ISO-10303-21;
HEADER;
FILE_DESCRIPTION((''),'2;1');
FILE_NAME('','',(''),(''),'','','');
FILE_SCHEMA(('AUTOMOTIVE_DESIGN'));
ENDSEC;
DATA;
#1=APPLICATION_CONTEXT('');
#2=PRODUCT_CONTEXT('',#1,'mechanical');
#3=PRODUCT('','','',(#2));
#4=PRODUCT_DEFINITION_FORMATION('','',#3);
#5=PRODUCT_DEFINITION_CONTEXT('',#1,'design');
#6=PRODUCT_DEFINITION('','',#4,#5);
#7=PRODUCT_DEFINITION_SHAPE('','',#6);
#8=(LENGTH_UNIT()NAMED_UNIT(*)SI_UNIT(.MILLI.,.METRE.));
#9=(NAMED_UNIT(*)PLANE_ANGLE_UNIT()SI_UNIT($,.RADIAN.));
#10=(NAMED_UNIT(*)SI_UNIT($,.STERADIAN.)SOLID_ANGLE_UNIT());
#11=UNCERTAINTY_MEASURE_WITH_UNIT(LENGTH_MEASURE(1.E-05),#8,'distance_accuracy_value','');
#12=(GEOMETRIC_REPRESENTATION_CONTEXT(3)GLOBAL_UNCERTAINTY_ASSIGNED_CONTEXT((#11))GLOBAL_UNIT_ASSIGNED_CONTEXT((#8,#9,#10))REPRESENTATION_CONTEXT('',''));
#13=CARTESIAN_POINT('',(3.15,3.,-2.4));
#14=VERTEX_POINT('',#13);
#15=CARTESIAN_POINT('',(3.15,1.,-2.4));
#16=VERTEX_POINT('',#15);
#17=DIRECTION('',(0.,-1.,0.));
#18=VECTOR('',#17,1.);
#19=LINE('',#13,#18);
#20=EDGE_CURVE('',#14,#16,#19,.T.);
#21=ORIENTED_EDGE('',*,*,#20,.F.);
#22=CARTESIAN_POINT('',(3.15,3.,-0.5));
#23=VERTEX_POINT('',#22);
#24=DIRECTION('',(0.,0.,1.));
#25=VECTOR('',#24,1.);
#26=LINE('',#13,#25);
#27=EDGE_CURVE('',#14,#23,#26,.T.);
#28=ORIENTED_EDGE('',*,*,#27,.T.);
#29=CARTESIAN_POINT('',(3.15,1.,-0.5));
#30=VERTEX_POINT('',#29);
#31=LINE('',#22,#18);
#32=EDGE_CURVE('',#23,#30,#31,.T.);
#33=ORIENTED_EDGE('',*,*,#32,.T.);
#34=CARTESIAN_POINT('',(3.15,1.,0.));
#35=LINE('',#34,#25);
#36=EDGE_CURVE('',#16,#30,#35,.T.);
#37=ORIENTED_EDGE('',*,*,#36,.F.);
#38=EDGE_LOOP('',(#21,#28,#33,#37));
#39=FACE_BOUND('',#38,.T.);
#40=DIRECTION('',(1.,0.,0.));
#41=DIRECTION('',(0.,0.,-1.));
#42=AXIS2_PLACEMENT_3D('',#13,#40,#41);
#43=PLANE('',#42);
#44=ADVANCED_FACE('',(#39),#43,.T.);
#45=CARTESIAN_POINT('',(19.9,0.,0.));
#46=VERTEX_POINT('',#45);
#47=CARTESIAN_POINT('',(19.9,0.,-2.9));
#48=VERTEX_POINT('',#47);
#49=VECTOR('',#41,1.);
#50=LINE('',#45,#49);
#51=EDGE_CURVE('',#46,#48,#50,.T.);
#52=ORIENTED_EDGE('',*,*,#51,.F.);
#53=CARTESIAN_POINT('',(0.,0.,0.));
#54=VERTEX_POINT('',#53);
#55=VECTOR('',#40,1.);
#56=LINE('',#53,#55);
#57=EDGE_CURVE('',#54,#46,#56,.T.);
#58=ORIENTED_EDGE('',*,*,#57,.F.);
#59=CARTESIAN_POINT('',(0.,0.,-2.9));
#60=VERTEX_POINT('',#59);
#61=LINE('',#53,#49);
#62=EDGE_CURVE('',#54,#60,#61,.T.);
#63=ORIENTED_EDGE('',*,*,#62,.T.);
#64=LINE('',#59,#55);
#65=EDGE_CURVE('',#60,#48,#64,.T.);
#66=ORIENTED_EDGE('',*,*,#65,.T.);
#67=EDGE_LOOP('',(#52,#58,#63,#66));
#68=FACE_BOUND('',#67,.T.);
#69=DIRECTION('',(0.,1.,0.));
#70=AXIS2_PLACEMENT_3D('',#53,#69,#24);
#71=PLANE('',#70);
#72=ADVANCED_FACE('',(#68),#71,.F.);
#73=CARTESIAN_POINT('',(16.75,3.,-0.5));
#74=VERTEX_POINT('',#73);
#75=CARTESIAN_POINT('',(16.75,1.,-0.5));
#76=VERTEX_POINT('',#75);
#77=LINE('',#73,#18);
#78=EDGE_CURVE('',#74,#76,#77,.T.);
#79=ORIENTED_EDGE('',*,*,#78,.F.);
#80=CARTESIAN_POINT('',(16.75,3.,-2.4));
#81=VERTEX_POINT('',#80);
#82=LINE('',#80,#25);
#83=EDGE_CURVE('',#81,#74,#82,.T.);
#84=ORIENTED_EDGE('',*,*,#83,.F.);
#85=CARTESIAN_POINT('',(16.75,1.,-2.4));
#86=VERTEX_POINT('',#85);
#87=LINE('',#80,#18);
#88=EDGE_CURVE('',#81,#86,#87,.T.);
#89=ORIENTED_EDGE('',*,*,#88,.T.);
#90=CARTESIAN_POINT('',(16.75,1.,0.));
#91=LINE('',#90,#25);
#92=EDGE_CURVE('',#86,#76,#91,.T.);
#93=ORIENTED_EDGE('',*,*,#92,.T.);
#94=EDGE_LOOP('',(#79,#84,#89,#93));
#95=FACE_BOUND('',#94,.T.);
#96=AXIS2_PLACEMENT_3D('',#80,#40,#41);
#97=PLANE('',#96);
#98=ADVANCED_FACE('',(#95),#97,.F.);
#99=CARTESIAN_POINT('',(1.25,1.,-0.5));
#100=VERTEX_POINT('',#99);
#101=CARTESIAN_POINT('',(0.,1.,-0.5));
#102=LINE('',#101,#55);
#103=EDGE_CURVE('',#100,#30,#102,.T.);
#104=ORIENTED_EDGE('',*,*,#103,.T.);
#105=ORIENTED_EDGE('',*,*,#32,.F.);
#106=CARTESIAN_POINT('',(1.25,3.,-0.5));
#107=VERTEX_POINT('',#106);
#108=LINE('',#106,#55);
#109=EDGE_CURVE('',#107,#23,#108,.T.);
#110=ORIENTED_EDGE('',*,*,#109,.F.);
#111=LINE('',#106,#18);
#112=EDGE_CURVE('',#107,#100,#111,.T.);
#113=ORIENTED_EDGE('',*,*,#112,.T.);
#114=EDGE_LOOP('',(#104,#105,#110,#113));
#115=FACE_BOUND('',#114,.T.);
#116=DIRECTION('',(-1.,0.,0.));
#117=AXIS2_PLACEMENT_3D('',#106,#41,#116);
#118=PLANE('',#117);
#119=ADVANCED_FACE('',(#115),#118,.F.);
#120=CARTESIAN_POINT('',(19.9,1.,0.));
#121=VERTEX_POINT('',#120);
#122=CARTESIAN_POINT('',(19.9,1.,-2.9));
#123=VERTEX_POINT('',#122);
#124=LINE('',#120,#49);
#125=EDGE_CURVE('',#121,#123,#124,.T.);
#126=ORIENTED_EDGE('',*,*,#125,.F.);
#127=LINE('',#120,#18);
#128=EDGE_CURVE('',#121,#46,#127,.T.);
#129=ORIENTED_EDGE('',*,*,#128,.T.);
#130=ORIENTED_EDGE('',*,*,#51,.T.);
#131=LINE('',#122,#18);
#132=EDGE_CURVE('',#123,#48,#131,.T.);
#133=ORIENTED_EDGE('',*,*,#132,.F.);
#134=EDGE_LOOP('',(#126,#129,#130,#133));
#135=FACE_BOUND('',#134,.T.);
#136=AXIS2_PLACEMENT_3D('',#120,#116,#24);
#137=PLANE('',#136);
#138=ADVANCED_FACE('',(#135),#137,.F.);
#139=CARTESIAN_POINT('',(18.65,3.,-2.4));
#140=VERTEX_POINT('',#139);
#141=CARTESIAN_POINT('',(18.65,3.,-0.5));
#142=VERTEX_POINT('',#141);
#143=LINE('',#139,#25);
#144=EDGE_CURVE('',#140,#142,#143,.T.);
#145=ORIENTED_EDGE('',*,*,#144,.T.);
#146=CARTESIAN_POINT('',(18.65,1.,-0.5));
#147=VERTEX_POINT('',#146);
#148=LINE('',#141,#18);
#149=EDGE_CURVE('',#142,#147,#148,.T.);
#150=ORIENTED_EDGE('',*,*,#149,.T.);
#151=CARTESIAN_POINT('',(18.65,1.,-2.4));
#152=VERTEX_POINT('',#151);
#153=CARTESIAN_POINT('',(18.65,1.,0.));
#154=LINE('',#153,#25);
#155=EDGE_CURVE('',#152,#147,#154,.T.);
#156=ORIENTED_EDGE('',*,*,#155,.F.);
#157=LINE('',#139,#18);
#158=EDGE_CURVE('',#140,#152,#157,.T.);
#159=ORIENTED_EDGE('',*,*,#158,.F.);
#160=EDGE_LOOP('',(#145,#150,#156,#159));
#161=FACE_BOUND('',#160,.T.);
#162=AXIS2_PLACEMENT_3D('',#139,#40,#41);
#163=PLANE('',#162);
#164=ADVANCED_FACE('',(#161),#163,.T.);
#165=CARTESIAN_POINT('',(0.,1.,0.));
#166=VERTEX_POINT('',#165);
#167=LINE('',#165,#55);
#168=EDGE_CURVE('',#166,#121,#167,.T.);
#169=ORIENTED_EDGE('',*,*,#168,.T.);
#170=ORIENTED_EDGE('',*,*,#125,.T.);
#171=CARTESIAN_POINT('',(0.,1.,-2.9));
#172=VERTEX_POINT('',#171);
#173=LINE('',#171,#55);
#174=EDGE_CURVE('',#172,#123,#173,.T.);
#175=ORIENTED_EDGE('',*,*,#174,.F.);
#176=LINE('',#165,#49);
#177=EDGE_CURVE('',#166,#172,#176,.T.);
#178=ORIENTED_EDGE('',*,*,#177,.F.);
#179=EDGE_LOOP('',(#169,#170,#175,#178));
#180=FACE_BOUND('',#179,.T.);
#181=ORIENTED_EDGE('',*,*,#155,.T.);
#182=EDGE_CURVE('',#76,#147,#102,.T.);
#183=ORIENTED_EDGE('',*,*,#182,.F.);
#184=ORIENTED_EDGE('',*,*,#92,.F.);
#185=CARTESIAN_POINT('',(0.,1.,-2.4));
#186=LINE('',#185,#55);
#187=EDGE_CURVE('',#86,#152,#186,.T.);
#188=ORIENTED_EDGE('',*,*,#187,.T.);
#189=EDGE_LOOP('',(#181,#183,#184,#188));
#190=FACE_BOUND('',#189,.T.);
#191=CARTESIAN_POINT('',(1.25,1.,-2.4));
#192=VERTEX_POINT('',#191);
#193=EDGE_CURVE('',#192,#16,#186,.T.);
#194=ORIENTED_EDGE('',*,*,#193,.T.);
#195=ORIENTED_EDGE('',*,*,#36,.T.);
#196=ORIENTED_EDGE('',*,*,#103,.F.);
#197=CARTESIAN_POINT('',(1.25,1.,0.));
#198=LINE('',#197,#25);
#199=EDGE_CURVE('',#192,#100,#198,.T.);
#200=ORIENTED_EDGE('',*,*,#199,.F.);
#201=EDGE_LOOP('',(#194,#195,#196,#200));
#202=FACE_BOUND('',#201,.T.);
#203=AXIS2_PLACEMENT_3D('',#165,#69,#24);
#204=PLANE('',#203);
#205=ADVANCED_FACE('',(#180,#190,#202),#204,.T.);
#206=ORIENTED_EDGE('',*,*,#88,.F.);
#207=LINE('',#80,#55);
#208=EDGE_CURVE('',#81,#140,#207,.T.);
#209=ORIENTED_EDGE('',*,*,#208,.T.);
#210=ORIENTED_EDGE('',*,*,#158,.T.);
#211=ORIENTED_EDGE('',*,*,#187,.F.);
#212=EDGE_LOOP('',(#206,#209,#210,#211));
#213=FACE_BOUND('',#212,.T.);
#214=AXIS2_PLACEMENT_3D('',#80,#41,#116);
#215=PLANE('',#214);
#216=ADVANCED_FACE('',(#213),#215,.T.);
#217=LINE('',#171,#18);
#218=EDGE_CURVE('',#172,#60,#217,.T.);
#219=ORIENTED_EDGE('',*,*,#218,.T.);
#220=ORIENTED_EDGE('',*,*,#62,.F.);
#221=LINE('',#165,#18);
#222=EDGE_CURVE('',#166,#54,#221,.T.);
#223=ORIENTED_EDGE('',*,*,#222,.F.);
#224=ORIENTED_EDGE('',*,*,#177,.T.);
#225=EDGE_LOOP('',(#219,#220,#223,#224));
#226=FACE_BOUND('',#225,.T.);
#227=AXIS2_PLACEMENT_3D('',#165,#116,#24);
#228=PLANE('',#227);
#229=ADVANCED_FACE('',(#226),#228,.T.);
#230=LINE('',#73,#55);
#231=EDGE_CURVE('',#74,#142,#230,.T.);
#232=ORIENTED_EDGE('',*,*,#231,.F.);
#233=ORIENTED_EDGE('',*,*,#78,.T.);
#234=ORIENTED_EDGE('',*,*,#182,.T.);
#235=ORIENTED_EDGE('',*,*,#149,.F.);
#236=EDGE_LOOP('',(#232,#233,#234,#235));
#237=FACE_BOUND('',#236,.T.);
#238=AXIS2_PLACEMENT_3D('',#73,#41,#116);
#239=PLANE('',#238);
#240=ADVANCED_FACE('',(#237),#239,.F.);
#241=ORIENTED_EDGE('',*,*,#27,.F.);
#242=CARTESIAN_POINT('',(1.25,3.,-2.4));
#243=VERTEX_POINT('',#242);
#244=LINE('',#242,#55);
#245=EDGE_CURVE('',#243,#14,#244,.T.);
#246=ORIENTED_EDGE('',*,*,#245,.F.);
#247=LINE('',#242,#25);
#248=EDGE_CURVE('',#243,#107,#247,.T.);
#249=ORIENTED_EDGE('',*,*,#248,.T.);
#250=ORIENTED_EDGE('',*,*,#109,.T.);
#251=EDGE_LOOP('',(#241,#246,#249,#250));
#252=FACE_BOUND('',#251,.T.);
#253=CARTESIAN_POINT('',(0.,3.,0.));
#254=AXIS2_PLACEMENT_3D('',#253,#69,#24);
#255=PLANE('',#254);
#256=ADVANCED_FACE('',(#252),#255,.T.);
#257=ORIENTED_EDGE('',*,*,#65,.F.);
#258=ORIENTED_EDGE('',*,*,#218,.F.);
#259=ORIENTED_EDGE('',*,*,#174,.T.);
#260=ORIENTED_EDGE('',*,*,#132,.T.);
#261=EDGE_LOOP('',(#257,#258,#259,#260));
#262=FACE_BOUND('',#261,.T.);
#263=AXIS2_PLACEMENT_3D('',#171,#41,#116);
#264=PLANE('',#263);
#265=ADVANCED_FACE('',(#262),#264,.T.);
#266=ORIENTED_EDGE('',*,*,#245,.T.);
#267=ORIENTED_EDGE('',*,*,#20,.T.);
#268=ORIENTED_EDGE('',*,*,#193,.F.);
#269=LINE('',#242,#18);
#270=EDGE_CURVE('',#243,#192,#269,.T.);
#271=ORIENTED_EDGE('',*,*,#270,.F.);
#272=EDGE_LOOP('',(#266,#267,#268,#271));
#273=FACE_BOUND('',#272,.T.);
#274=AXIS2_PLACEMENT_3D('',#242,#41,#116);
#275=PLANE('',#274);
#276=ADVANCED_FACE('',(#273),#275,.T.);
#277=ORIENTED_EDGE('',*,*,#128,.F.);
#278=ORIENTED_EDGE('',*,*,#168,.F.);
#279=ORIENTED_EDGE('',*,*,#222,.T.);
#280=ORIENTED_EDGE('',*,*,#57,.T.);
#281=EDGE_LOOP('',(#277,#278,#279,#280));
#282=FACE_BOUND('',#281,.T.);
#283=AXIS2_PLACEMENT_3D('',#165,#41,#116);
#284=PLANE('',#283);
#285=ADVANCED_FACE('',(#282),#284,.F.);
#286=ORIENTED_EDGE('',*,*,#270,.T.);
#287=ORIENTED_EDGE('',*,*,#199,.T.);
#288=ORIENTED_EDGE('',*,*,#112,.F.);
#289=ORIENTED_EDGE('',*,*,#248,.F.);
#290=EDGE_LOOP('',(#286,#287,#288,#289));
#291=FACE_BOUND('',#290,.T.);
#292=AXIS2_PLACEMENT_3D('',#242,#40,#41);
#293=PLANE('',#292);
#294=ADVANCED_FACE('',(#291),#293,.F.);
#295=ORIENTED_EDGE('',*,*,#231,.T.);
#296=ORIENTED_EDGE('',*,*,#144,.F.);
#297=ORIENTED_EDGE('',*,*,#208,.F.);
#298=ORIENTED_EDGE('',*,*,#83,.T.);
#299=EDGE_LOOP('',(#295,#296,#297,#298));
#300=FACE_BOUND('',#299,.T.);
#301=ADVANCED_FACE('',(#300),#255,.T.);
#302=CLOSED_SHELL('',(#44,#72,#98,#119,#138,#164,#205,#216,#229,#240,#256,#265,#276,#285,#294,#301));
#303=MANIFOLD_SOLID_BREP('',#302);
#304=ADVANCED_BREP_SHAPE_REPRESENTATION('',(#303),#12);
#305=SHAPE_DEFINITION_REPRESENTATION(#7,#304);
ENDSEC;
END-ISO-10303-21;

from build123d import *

# Parameters (mm, degrees)
SKETCH1_W           = 19.9
SKETCH1_H           = 2.9
SKETCH1_W_2         = 1.9
SKETCH1_H_2         = 1.9
BOSS_EXTRUDE1_DEPTH = 1
SKETCH1_3_W         = 1.9
SKETCH1_3_H         = 1.9
BOSS_EXTRUDE2_DEPTH = 3


with BuildPart() as part:
    # Sketch1 → Boss-Extrude1 (new body)
    with BuildSketch(Plane(origin=(0, 0, 0), x_dir=(1, 0, 0), z_dir=(0, 1, 0))):
        with Locations((9.95, 1.45)):
            Rectangle(SKETCH1_W, SKETCH1_H)
        with Locations((2.2, 1.45)):
            Rectangle(SKETCH1_W_2, SKETCH1_H_2, mode=Mode.SUBTRACT)
        with Locations((17.7, 1.45)):
            Rectangle(SKETCH1_W_2, SKETCH1_H_2, mode=Mode.SUBTRACT)
    extrude(amount=BOSS_EXTRUDE1_DEPTH)

    # Sketch1<3> → Boss-Extrude2 (add)
    with BuildSketch(Plane(origin=(0, 0, 0), x_dir=(1, 0, 0), z_dir=(0, 1, 0))):
        with Locations((2.2, 1.45)):
            Rectangle(SKETCH1_3_W, SKETCH1_3_H)
        with Locations((17.7, 1.45)):
            Rectangle(SKETCH1_3_W, SKETCH1_3_H)
    extrude(amount=BOSS_EXTRUDE2_DEPTH)


solid = part.part
